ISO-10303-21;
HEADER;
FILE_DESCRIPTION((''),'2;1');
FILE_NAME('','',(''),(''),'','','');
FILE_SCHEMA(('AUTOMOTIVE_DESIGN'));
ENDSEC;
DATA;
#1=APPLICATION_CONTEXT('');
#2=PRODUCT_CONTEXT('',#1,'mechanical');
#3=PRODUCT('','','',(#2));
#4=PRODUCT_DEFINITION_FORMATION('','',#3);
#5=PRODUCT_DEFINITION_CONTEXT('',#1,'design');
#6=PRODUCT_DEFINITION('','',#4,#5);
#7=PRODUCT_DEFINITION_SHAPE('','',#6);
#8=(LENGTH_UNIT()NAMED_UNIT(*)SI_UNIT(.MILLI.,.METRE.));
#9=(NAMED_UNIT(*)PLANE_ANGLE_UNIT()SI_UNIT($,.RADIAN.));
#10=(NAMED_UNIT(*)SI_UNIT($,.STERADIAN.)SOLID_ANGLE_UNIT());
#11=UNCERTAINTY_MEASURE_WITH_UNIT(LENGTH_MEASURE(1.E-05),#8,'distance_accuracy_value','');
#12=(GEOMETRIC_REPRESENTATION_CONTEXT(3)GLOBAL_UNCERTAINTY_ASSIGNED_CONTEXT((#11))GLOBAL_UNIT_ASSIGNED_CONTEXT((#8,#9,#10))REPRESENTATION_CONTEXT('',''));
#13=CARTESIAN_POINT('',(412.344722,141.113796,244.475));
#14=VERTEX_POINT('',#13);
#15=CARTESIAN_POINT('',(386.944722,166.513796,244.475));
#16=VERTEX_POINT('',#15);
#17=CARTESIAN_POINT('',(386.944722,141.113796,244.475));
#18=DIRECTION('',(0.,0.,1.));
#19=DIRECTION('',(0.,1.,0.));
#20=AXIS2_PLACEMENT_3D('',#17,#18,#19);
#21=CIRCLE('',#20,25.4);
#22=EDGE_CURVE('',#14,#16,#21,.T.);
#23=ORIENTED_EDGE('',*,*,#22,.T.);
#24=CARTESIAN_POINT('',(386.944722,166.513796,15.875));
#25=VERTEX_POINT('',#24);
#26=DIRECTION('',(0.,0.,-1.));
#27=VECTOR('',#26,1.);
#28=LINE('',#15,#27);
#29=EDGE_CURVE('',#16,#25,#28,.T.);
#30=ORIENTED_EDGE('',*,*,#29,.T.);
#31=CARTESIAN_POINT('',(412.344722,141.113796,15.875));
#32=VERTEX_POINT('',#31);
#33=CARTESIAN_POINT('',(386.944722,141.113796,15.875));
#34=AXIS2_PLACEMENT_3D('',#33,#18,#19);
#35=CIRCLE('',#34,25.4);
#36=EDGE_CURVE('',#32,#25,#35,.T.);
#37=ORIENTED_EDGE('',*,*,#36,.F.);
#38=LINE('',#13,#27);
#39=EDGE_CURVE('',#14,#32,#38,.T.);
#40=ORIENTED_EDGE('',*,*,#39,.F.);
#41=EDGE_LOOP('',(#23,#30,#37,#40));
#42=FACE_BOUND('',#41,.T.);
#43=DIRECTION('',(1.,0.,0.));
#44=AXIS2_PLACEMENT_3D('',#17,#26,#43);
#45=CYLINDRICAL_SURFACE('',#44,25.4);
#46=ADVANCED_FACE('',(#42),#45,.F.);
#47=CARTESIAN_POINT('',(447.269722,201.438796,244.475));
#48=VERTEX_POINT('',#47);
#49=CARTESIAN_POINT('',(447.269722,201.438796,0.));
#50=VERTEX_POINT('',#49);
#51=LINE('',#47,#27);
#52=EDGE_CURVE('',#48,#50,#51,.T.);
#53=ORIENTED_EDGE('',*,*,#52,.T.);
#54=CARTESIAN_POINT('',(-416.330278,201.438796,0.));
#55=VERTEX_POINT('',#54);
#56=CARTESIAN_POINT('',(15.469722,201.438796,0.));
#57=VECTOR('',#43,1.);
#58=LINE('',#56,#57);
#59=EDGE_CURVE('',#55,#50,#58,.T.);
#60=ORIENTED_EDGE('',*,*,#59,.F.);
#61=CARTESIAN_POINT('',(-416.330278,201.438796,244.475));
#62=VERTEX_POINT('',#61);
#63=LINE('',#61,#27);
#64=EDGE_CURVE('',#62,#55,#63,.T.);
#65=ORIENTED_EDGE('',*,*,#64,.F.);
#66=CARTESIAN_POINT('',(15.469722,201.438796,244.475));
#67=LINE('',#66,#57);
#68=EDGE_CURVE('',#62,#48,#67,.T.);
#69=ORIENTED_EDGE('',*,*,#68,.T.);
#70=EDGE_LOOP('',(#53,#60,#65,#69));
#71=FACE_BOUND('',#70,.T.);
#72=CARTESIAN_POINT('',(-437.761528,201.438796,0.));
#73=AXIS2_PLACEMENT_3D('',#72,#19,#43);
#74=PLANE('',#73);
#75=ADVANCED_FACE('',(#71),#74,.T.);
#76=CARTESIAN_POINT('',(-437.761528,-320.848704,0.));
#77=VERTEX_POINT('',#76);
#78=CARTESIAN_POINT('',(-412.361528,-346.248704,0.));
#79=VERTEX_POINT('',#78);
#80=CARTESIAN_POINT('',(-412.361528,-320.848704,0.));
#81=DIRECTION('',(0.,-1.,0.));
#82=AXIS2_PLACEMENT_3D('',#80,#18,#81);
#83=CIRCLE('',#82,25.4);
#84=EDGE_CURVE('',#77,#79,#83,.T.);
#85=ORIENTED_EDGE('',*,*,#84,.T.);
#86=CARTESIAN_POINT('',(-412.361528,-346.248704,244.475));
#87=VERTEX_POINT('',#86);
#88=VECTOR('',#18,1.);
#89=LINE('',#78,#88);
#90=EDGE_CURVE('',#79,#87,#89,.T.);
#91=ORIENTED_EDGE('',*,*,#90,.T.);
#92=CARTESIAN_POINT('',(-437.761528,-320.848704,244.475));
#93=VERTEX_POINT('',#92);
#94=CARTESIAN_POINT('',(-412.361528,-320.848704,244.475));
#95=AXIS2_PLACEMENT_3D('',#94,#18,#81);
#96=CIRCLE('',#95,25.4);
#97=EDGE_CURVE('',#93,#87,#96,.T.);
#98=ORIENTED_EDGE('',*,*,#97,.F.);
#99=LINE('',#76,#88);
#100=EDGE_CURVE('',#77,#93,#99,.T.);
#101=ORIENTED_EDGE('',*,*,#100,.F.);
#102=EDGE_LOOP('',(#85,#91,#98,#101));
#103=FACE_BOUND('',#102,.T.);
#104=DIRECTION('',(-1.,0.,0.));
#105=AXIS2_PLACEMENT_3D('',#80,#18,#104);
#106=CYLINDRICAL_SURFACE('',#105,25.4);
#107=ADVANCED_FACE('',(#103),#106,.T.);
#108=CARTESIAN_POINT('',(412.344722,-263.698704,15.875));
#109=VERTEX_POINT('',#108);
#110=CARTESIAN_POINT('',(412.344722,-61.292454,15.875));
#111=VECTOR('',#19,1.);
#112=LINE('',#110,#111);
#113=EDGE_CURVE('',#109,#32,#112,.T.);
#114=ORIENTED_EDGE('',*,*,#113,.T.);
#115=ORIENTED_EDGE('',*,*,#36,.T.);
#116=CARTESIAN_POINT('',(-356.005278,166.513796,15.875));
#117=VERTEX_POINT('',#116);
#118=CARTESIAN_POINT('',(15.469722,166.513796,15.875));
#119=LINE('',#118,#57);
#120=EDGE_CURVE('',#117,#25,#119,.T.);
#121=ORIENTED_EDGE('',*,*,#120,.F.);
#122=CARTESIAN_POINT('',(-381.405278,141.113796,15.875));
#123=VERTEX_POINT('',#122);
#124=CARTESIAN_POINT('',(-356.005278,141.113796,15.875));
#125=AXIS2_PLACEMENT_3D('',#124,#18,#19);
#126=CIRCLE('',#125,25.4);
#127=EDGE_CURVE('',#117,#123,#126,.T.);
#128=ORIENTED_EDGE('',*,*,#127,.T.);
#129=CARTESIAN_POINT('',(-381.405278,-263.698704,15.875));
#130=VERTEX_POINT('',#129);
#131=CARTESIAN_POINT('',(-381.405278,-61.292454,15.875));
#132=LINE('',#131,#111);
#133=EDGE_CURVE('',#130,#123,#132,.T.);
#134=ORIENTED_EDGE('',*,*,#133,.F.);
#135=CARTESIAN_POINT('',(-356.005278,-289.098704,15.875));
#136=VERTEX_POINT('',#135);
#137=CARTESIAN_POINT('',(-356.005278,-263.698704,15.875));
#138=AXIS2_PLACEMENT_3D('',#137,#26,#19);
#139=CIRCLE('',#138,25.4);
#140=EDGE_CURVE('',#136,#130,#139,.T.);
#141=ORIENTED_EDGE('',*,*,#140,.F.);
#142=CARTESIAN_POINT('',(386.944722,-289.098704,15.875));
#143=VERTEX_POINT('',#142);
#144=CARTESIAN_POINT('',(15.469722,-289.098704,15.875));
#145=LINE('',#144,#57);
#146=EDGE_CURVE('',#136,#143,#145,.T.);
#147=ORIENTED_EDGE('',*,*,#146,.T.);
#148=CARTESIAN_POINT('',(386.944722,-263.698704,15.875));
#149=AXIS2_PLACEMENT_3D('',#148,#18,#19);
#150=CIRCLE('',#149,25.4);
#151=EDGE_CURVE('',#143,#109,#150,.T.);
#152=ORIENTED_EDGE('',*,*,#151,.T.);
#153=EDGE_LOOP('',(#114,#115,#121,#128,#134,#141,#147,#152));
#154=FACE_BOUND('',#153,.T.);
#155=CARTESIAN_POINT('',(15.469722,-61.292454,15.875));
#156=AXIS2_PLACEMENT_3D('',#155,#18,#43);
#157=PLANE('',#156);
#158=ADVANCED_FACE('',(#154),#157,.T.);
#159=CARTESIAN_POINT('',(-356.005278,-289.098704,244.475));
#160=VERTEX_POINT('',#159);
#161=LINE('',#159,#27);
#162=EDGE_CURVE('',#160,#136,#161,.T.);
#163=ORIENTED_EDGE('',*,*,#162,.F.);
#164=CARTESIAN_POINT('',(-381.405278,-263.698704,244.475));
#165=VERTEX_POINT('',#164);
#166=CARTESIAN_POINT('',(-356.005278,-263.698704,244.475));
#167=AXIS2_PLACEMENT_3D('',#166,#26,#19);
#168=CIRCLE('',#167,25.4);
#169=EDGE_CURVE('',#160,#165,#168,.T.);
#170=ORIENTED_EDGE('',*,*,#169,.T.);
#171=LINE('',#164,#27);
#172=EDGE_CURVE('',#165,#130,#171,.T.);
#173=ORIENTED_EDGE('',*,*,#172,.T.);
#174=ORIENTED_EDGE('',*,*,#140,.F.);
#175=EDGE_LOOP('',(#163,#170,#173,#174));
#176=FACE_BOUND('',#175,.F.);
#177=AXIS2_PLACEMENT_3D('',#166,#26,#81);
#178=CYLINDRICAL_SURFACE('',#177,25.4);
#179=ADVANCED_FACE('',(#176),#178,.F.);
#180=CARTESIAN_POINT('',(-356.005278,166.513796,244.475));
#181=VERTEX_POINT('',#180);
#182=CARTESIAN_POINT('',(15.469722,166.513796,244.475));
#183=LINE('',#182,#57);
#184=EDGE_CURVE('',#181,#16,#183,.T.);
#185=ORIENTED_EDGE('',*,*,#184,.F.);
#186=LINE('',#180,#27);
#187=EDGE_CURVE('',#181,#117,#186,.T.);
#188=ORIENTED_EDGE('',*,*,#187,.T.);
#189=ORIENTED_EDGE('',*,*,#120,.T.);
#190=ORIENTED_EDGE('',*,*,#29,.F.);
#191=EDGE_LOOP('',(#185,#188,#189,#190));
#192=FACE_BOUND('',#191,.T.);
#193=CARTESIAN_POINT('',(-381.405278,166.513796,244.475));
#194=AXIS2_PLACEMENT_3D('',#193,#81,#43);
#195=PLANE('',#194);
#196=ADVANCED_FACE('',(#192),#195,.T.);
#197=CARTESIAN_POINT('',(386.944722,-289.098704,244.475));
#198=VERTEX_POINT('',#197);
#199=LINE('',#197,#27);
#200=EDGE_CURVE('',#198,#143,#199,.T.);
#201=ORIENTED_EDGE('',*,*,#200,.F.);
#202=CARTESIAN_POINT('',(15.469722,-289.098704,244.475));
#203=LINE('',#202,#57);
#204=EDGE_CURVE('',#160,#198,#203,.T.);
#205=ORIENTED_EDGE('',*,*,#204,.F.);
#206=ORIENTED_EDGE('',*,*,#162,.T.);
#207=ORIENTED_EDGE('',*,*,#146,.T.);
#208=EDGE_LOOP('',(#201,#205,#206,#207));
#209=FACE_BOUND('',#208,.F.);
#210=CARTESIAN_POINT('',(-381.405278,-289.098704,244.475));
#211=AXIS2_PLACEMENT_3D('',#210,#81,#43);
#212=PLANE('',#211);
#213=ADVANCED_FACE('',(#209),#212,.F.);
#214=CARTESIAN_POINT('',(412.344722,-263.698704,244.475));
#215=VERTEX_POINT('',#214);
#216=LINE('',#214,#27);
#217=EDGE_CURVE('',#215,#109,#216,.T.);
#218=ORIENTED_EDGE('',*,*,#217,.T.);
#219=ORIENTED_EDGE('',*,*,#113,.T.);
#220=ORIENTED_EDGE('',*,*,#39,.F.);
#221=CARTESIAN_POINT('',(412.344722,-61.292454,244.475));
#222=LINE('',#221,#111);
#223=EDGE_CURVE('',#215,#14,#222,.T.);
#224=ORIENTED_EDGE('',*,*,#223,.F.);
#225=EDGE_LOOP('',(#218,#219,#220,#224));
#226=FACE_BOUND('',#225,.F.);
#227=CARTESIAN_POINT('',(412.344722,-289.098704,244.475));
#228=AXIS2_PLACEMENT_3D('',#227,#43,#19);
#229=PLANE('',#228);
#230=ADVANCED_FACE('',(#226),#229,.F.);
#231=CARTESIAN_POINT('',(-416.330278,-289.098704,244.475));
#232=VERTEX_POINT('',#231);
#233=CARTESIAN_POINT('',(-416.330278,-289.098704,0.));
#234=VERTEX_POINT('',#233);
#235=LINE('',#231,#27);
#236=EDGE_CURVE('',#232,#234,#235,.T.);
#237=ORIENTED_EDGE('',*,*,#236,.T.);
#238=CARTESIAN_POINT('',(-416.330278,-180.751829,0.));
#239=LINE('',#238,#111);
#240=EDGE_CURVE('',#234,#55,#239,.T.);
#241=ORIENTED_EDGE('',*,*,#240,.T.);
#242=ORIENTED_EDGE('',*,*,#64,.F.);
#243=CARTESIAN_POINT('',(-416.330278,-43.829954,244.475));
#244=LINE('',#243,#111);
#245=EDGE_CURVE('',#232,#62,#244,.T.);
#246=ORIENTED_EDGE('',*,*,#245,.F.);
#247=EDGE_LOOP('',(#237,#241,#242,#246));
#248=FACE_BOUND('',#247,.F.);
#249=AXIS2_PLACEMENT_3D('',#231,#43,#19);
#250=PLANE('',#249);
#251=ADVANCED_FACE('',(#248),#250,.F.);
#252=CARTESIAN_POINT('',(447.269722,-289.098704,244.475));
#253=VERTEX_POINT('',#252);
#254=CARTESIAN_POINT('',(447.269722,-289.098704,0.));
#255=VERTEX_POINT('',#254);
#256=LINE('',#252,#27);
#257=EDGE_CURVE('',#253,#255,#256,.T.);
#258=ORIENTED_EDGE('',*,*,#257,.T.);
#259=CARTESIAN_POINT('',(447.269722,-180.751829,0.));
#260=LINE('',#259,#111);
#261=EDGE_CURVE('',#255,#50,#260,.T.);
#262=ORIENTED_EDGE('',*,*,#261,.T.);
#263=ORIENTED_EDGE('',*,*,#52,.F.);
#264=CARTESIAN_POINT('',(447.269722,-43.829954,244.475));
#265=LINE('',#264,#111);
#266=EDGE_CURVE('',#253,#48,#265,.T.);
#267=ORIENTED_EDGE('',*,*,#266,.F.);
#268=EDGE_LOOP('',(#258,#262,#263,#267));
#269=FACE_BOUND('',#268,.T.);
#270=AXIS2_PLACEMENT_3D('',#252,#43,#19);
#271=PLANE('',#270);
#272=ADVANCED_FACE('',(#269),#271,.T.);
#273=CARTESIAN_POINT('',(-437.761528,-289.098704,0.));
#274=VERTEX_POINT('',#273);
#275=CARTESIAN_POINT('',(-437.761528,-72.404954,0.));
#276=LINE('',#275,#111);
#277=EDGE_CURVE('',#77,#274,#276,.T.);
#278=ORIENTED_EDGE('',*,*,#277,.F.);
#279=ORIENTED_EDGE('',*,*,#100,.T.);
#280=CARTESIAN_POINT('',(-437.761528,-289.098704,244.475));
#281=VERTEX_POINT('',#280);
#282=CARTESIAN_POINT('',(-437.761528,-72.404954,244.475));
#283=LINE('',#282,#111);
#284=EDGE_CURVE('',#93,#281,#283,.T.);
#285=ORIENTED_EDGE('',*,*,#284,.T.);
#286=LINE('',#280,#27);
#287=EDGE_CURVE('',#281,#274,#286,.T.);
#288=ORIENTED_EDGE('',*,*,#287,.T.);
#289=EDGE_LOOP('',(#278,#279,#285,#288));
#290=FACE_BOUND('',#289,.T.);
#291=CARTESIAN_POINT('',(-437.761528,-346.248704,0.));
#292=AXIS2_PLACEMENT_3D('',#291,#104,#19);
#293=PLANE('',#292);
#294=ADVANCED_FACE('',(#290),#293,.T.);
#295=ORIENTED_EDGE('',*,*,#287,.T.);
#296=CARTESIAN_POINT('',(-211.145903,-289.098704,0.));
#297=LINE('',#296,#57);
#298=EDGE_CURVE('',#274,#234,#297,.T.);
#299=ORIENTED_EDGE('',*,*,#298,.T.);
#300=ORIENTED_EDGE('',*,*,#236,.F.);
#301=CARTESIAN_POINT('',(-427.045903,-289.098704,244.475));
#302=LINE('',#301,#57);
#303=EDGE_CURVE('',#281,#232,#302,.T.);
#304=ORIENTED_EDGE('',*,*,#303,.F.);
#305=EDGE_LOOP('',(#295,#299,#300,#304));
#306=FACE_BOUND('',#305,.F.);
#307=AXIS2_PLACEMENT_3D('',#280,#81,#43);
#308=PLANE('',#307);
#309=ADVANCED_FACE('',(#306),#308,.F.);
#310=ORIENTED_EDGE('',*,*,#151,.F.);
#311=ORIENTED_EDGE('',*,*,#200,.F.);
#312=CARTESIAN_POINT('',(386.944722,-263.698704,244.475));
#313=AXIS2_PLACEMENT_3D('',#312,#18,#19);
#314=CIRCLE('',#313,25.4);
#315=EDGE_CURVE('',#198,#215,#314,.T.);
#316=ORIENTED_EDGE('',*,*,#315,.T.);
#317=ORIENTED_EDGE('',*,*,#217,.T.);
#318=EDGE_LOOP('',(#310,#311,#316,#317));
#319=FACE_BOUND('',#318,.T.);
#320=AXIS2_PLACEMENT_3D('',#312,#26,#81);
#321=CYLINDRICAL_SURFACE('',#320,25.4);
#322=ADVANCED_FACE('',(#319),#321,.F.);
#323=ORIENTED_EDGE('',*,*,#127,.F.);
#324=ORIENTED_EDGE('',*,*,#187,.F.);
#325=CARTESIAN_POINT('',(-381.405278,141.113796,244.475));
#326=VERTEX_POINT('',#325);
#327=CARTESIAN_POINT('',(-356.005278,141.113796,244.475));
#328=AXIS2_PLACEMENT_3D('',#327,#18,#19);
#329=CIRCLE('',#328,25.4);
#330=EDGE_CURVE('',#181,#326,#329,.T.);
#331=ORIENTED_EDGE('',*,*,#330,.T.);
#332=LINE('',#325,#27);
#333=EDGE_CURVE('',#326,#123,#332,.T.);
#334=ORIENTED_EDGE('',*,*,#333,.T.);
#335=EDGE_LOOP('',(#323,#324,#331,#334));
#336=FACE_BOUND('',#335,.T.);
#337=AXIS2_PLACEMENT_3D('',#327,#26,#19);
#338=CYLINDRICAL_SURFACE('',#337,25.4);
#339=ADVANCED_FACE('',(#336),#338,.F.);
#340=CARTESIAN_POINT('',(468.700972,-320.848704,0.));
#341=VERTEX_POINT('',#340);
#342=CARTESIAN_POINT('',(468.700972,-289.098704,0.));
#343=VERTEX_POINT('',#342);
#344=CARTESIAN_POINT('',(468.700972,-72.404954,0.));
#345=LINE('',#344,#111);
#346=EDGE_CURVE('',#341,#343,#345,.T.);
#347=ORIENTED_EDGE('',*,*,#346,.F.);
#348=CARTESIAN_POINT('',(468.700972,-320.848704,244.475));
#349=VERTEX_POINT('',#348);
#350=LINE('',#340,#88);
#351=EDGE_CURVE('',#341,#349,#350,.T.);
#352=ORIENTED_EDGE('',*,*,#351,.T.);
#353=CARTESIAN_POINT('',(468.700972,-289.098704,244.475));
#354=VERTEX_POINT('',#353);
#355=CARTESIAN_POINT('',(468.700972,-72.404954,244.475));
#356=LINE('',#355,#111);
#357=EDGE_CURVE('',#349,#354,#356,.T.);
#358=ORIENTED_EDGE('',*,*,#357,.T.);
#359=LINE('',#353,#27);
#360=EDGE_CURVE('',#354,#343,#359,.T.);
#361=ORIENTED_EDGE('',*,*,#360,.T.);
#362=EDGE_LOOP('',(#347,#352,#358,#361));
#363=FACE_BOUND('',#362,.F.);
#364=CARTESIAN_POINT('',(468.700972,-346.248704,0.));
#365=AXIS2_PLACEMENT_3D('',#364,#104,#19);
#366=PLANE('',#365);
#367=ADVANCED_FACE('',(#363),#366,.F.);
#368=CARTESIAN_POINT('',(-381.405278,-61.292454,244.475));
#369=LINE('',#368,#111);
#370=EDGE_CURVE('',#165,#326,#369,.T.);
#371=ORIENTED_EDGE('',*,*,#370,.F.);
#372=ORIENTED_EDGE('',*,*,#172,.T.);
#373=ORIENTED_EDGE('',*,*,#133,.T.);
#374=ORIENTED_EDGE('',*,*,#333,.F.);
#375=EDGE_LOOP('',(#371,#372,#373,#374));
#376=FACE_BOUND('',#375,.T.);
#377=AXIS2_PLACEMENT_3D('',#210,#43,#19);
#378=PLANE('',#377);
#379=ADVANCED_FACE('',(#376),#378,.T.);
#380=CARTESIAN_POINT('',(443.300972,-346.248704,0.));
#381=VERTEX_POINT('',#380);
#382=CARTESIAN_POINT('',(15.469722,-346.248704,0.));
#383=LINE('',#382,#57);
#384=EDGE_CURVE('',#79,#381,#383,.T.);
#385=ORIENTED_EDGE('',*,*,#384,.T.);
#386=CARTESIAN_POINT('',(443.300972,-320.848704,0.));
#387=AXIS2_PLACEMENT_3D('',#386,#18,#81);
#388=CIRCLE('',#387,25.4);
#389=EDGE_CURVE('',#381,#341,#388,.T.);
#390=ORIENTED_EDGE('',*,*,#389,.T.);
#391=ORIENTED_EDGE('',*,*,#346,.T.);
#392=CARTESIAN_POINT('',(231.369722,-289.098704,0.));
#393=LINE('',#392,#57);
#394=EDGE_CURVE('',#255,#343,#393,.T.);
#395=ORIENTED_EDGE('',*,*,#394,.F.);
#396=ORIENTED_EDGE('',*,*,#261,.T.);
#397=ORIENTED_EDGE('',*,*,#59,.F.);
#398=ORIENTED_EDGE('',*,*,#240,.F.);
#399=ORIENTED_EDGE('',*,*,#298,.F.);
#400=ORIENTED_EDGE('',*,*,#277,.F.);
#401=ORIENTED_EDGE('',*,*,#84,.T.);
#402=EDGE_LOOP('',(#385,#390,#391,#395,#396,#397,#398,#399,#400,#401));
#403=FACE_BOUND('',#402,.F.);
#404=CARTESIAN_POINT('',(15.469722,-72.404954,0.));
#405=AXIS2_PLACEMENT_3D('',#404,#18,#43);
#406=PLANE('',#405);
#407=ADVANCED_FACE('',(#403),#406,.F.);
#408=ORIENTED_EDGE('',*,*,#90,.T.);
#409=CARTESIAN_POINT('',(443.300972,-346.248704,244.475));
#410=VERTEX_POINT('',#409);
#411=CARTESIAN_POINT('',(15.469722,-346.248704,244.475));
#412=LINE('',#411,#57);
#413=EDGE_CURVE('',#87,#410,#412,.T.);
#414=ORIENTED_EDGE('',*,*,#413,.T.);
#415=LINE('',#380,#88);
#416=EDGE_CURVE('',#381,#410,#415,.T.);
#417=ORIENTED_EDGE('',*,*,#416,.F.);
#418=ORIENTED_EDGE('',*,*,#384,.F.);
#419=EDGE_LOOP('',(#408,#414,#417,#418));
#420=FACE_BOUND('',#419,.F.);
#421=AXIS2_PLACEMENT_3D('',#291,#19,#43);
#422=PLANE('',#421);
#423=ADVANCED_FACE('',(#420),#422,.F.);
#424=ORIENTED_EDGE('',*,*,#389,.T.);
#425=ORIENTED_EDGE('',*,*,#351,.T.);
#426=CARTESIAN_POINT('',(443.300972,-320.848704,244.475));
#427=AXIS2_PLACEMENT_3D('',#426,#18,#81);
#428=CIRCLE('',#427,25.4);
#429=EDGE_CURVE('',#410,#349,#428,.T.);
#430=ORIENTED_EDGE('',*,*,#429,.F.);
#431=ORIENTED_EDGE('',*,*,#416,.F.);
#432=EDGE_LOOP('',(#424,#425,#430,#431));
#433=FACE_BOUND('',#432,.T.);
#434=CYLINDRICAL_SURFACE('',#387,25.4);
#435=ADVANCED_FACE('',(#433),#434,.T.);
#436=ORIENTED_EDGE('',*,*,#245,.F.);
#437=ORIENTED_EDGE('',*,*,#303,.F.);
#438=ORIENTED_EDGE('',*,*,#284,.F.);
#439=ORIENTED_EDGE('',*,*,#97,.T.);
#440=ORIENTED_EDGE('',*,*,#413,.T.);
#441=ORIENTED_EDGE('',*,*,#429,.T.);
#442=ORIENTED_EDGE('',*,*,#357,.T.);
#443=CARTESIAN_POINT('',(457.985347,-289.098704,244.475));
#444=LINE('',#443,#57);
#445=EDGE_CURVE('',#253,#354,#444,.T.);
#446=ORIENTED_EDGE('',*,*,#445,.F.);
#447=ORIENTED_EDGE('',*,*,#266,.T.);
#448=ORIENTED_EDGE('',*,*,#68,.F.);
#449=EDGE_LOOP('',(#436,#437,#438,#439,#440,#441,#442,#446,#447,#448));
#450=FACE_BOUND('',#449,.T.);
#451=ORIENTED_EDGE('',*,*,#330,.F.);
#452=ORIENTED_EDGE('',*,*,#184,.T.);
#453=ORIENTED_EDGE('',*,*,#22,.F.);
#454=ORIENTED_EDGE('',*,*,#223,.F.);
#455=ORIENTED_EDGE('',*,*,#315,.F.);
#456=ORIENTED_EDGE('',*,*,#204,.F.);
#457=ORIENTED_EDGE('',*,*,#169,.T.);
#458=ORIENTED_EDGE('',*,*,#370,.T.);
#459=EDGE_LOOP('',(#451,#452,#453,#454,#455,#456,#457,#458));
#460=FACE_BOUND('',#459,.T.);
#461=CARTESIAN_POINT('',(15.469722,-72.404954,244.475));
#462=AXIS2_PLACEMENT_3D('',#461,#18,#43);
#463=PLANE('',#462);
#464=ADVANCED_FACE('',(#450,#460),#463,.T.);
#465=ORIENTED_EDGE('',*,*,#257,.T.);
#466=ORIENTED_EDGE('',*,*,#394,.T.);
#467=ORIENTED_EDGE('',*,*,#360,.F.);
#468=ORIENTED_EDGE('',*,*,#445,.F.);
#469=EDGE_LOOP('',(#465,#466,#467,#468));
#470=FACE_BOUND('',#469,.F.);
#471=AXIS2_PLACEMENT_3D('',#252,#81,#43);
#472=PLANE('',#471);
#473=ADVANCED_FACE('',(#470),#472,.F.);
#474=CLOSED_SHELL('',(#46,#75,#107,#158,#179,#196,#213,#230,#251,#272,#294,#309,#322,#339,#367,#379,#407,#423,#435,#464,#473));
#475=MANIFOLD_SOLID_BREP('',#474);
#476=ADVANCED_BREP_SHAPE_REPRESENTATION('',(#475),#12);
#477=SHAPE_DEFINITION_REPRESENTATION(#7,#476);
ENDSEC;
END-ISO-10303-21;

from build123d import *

# Parameters (mm, degrees)
F0_W     = 906.4625
F0_H     = 547.6875
F1_DEPTH = 244.475
F2_W     = 21.43125
F2_H     = 490.5375
F3_DEPTH = 244.476
F4_R     = 25.4
F5_W     = 793.75
F5_H     = 455.6125
F6_DEPTH = 228.6
F7_R     = 25.4


with BuildPart() as f1:
    # F0 (on Top) → F1 (new body)
    with BuildSketch(Plane.XY):
        with Locations((15.469722, -72.404954)):
            Rectangle(F0_W, F0_H)
    extrude(amount=F1_DEPTH)

    # F2 (on face) → F3 (cut, through all)
    with BuildSketch(Plane.XY.offset(244.475)):
        with Locations((-427.045903, -43.829954)):
            Rectangle(F2_W, F2_H)
        with Locations((457.985347, -43.829954)):
            Rectangle(F2_W, F2_H)
    extrude(amount=-F3_DEPTH, mode=Mode.SUBTRACT)

    # F4
    f4_edges = [f1.edges().sort_by_distance(p)[0] for p in [
        (-437.761528, -346.248704, 122.2375),
        (468.700972, -346.248704, 122.2375),
    ]]
    fillet(f4_edges, radius=F4_R)

    # F5 (on face) → F6 (cut)
    with BuildSketch(Plane.XY.offset(244.475)):
        with Locations((15.469722, -61.292454)):
            Rectangle(F5_W, F5_H)
    extrude(amount=-F6_DEPTH, mode=Mode.SUBTRACT)

    # F7
    f7_edges = [f1.edges().sort_by_distance(p)[0] for p in [
        (412.344722, 166.513796, 130.175),
        (-381.405278, 166.513796, 130.175),
        (-381.405278, -289.098704, 130.175),
        (412.344722, -289.098704, 130.175),
    ]]
    fillet(f7_edges, radius=F7_R)


solid = f1.part
